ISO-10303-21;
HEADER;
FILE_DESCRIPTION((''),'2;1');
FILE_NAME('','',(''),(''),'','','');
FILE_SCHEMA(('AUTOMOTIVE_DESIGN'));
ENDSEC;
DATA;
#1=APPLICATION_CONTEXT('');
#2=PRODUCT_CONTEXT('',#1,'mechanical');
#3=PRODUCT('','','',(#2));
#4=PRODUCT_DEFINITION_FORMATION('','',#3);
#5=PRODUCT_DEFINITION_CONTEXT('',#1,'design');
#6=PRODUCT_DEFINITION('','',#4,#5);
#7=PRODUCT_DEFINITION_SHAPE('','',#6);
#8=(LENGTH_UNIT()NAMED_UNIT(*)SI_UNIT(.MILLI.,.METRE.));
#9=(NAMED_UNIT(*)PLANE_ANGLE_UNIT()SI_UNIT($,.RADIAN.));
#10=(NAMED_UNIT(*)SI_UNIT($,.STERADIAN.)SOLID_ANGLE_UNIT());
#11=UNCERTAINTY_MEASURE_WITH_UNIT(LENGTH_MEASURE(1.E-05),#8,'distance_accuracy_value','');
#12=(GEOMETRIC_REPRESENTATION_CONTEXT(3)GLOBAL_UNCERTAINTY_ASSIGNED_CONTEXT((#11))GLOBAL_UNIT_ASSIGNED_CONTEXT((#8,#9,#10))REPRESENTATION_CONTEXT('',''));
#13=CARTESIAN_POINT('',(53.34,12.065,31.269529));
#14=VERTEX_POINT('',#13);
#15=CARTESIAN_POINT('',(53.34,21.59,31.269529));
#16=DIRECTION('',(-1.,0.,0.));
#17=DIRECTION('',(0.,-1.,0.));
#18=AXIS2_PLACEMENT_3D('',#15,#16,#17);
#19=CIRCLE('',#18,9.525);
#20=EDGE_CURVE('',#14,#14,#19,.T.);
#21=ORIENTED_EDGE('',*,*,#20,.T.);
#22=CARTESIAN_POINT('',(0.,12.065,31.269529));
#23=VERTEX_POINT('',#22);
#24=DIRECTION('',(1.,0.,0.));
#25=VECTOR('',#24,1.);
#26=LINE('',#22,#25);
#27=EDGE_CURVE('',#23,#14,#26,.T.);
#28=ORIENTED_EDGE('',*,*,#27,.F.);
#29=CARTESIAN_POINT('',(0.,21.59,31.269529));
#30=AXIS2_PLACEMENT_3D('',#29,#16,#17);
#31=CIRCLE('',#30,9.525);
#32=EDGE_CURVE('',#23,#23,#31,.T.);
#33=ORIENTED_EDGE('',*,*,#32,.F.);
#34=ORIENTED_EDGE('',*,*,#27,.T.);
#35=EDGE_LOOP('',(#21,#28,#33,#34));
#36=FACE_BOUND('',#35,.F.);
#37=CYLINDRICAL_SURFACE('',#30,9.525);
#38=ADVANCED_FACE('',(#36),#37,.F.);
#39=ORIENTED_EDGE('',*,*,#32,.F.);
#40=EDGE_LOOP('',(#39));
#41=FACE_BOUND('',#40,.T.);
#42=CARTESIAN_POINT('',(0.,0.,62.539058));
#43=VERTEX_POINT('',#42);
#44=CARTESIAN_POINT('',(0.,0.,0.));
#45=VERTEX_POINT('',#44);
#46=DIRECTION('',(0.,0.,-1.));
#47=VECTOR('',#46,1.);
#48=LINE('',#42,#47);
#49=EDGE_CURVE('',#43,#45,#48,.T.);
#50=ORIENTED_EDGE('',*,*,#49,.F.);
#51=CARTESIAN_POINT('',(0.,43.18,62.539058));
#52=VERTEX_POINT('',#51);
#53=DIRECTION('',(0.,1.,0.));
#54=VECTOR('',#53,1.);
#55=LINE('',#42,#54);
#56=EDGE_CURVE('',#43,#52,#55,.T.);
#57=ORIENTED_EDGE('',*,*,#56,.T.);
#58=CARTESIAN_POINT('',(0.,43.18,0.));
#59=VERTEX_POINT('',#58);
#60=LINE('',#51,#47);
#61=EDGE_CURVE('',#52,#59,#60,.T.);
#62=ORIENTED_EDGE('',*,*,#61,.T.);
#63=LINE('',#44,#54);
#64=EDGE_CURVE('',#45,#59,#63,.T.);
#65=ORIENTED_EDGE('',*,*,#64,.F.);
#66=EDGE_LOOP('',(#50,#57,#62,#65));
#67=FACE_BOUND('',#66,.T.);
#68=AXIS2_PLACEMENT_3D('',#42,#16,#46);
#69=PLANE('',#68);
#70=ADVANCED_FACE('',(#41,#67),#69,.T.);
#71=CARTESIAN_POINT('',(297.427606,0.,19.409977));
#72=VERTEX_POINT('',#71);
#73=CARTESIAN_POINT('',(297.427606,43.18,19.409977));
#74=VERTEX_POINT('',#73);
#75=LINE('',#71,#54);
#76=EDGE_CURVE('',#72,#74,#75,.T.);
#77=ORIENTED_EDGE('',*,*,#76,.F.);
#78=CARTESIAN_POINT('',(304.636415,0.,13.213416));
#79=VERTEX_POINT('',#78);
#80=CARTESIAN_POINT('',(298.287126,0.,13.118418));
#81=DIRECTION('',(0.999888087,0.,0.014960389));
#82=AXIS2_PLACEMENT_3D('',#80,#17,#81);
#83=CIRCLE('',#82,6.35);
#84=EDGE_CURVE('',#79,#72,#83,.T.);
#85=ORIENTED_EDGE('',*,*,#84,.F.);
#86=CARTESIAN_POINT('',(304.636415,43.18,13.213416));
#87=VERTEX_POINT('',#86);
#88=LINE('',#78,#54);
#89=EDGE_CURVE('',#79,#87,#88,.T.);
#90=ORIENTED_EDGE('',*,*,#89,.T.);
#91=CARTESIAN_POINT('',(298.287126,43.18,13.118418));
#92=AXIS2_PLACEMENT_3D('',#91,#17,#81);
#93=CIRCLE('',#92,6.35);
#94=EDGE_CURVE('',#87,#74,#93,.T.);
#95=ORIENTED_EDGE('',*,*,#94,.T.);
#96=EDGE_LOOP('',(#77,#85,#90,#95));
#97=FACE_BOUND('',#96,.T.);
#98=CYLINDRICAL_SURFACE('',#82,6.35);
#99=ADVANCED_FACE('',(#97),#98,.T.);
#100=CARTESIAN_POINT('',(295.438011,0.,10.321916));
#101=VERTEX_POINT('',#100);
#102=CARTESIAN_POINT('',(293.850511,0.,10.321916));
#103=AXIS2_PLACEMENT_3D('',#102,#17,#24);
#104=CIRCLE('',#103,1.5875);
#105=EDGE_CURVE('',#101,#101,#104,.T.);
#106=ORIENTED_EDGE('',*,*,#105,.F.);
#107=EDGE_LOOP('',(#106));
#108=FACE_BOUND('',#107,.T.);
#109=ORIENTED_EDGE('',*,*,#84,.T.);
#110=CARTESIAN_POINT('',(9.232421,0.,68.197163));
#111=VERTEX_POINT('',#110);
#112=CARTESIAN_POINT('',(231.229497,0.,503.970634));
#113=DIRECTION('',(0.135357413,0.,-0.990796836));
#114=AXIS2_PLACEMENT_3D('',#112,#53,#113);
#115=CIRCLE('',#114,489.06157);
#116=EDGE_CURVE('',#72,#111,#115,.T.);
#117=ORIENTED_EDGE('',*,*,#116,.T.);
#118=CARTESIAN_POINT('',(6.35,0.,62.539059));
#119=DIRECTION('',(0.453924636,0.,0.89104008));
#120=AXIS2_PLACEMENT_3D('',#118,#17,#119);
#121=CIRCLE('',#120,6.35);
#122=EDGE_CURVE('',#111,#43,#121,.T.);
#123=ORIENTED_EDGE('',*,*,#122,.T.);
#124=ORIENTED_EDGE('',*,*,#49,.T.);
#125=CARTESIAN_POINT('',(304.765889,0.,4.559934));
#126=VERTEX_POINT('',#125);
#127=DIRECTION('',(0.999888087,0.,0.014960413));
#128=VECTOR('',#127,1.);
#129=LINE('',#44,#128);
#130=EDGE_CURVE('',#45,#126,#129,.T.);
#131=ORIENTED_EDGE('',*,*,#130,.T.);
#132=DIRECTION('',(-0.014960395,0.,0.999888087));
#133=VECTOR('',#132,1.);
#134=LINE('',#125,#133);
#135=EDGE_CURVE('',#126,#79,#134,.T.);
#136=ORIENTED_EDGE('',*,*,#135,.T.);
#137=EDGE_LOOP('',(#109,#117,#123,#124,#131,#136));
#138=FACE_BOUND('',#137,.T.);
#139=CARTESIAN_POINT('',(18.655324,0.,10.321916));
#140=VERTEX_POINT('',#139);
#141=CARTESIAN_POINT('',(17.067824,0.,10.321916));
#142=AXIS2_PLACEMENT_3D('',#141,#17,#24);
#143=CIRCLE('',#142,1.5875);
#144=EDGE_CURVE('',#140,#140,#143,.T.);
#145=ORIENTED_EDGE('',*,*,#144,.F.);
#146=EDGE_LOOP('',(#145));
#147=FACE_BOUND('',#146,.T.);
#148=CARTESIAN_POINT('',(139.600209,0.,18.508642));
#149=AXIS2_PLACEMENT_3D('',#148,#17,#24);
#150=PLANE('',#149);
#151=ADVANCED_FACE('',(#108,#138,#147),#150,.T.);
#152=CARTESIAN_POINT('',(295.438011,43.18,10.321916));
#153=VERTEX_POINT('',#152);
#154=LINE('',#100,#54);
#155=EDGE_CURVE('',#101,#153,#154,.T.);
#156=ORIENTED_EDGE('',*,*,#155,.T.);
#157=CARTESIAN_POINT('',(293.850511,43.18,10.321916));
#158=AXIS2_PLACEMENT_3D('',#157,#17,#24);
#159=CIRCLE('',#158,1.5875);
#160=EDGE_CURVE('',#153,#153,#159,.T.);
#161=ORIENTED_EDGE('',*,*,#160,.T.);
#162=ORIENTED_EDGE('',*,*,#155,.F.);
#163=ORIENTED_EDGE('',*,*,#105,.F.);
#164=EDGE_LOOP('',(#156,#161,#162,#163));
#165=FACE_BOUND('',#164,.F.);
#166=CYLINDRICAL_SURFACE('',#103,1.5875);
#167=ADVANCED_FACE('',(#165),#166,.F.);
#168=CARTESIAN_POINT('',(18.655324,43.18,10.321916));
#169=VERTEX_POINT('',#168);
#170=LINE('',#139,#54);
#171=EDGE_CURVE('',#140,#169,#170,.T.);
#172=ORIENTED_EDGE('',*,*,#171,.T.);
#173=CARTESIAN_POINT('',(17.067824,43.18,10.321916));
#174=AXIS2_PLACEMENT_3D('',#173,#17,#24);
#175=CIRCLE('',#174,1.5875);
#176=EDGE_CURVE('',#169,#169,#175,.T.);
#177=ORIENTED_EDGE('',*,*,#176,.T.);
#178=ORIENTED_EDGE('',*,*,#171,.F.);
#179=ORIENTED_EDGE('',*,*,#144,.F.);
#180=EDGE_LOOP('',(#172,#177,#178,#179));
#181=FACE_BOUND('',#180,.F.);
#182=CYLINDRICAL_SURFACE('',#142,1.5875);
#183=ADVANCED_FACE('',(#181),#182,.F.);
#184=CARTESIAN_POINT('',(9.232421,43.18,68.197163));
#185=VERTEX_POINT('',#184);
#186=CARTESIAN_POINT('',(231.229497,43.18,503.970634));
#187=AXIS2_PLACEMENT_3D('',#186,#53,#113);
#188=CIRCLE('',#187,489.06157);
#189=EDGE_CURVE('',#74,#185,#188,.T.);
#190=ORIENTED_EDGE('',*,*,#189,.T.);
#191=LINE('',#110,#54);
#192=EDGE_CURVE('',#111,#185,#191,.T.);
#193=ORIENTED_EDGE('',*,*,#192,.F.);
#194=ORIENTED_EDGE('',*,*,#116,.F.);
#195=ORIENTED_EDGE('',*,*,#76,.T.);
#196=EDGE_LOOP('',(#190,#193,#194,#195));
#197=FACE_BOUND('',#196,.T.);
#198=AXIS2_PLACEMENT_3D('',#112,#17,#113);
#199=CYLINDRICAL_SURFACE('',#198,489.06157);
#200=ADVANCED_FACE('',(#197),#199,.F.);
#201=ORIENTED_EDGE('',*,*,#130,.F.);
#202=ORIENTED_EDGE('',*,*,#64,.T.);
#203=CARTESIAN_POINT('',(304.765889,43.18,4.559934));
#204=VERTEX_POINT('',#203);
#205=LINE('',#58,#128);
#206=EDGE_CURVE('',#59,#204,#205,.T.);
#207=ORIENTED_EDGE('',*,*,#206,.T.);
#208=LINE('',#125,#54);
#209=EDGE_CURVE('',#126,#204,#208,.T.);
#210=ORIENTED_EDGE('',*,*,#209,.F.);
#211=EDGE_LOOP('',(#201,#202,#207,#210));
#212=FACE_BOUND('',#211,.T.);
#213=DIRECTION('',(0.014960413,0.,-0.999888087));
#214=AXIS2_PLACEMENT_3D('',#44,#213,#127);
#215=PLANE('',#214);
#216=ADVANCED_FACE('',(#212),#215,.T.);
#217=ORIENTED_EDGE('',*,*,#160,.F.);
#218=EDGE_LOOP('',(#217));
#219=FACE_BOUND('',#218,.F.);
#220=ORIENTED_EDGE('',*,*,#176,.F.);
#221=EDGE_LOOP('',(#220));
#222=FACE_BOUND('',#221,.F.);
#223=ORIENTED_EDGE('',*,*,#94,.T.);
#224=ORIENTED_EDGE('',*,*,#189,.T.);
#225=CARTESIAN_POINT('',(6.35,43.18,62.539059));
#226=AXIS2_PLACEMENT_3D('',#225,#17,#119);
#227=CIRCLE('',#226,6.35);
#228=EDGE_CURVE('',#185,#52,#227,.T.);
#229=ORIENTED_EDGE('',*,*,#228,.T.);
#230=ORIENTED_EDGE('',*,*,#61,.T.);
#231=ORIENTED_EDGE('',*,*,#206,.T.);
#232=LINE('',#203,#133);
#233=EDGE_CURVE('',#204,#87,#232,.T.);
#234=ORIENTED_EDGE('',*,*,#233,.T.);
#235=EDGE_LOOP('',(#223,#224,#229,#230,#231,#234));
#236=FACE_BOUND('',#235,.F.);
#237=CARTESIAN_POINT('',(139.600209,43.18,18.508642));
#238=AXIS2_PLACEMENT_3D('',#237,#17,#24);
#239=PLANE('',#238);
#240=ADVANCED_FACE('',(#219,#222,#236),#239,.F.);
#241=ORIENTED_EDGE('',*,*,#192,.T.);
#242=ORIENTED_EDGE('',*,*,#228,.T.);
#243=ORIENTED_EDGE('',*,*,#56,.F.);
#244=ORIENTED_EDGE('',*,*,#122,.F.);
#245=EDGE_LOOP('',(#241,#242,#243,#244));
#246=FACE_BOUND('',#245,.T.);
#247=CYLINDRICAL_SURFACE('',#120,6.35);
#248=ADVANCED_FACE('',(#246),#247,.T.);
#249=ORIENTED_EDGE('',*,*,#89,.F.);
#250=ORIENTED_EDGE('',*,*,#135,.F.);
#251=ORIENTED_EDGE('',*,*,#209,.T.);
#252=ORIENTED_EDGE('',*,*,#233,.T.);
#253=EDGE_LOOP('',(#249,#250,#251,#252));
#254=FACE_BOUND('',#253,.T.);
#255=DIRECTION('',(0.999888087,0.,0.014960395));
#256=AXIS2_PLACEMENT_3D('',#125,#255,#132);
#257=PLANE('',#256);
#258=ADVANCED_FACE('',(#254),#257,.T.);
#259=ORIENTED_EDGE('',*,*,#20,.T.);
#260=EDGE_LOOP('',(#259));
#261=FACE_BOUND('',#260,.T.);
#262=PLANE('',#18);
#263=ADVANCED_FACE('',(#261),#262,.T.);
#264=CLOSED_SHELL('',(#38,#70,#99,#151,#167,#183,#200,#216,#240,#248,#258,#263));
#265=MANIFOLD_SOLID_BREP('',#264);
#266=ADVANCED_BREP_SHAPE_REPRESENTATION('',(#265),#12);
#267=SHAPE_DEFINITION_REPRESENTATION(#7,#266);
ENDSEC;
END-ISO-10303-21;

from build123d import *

# Parameters (mm, degrees)
F1_DEPTH = 43.18
F3_R     = 9.525
F4_DEPTH = 53.34
F5_R     = 1.5875
F6_DEPTH = 57.15


with BuildPart() as f1:
    # F0 (on Front) → F1 (new body)
    with BuildSketch(Plane.XZ):
        with BuildLine():
            Line((0, 62.539058), (0, 0))
            Line((0, 0), (304.765889, 4.559934))
            Line((304.765889, 4.559934), (304.636415, 13.213416))
            ThreePointArc((304.636415, 13.213416), (302.426417, 17.933889), (297.427606, 19.409977))
            ThreePointArc((297.427606, 19.409977), (149.599987, 21.769594), (9.232421, 68.197163))
            ThreePointArc((9.232421, 68.197163), (3.031934, 67.953201), (0, 62.539058))
        make_face()
    extrude(amount=-F1_DEPTH)

    # F3 (on face) → F4 (cut)
    with BuildSketch(Plane(origin=(0, 0, 0), x_dir=(0, -1, 0), z_dir=(-1, 0, 0))):
        with Locations((-21.59, 31.269529)):
            Circle(F3_R)
    extrude(amount=-F4_DEPTH, mode=Mode.SUBTRACT)

    # F5 (on face) → F6 (cut)
    with BuildSketch(Plane.XZ):
        with Locations((17.067824, 10.321916)):
            Circle(F5_R)
        with Locations((293.850511, 10.321916)):
            Circle(F5_R)
    extrude(amount=-F6_DEPTH, mode=Mode.SUBTRACT)


solid = f1.part
